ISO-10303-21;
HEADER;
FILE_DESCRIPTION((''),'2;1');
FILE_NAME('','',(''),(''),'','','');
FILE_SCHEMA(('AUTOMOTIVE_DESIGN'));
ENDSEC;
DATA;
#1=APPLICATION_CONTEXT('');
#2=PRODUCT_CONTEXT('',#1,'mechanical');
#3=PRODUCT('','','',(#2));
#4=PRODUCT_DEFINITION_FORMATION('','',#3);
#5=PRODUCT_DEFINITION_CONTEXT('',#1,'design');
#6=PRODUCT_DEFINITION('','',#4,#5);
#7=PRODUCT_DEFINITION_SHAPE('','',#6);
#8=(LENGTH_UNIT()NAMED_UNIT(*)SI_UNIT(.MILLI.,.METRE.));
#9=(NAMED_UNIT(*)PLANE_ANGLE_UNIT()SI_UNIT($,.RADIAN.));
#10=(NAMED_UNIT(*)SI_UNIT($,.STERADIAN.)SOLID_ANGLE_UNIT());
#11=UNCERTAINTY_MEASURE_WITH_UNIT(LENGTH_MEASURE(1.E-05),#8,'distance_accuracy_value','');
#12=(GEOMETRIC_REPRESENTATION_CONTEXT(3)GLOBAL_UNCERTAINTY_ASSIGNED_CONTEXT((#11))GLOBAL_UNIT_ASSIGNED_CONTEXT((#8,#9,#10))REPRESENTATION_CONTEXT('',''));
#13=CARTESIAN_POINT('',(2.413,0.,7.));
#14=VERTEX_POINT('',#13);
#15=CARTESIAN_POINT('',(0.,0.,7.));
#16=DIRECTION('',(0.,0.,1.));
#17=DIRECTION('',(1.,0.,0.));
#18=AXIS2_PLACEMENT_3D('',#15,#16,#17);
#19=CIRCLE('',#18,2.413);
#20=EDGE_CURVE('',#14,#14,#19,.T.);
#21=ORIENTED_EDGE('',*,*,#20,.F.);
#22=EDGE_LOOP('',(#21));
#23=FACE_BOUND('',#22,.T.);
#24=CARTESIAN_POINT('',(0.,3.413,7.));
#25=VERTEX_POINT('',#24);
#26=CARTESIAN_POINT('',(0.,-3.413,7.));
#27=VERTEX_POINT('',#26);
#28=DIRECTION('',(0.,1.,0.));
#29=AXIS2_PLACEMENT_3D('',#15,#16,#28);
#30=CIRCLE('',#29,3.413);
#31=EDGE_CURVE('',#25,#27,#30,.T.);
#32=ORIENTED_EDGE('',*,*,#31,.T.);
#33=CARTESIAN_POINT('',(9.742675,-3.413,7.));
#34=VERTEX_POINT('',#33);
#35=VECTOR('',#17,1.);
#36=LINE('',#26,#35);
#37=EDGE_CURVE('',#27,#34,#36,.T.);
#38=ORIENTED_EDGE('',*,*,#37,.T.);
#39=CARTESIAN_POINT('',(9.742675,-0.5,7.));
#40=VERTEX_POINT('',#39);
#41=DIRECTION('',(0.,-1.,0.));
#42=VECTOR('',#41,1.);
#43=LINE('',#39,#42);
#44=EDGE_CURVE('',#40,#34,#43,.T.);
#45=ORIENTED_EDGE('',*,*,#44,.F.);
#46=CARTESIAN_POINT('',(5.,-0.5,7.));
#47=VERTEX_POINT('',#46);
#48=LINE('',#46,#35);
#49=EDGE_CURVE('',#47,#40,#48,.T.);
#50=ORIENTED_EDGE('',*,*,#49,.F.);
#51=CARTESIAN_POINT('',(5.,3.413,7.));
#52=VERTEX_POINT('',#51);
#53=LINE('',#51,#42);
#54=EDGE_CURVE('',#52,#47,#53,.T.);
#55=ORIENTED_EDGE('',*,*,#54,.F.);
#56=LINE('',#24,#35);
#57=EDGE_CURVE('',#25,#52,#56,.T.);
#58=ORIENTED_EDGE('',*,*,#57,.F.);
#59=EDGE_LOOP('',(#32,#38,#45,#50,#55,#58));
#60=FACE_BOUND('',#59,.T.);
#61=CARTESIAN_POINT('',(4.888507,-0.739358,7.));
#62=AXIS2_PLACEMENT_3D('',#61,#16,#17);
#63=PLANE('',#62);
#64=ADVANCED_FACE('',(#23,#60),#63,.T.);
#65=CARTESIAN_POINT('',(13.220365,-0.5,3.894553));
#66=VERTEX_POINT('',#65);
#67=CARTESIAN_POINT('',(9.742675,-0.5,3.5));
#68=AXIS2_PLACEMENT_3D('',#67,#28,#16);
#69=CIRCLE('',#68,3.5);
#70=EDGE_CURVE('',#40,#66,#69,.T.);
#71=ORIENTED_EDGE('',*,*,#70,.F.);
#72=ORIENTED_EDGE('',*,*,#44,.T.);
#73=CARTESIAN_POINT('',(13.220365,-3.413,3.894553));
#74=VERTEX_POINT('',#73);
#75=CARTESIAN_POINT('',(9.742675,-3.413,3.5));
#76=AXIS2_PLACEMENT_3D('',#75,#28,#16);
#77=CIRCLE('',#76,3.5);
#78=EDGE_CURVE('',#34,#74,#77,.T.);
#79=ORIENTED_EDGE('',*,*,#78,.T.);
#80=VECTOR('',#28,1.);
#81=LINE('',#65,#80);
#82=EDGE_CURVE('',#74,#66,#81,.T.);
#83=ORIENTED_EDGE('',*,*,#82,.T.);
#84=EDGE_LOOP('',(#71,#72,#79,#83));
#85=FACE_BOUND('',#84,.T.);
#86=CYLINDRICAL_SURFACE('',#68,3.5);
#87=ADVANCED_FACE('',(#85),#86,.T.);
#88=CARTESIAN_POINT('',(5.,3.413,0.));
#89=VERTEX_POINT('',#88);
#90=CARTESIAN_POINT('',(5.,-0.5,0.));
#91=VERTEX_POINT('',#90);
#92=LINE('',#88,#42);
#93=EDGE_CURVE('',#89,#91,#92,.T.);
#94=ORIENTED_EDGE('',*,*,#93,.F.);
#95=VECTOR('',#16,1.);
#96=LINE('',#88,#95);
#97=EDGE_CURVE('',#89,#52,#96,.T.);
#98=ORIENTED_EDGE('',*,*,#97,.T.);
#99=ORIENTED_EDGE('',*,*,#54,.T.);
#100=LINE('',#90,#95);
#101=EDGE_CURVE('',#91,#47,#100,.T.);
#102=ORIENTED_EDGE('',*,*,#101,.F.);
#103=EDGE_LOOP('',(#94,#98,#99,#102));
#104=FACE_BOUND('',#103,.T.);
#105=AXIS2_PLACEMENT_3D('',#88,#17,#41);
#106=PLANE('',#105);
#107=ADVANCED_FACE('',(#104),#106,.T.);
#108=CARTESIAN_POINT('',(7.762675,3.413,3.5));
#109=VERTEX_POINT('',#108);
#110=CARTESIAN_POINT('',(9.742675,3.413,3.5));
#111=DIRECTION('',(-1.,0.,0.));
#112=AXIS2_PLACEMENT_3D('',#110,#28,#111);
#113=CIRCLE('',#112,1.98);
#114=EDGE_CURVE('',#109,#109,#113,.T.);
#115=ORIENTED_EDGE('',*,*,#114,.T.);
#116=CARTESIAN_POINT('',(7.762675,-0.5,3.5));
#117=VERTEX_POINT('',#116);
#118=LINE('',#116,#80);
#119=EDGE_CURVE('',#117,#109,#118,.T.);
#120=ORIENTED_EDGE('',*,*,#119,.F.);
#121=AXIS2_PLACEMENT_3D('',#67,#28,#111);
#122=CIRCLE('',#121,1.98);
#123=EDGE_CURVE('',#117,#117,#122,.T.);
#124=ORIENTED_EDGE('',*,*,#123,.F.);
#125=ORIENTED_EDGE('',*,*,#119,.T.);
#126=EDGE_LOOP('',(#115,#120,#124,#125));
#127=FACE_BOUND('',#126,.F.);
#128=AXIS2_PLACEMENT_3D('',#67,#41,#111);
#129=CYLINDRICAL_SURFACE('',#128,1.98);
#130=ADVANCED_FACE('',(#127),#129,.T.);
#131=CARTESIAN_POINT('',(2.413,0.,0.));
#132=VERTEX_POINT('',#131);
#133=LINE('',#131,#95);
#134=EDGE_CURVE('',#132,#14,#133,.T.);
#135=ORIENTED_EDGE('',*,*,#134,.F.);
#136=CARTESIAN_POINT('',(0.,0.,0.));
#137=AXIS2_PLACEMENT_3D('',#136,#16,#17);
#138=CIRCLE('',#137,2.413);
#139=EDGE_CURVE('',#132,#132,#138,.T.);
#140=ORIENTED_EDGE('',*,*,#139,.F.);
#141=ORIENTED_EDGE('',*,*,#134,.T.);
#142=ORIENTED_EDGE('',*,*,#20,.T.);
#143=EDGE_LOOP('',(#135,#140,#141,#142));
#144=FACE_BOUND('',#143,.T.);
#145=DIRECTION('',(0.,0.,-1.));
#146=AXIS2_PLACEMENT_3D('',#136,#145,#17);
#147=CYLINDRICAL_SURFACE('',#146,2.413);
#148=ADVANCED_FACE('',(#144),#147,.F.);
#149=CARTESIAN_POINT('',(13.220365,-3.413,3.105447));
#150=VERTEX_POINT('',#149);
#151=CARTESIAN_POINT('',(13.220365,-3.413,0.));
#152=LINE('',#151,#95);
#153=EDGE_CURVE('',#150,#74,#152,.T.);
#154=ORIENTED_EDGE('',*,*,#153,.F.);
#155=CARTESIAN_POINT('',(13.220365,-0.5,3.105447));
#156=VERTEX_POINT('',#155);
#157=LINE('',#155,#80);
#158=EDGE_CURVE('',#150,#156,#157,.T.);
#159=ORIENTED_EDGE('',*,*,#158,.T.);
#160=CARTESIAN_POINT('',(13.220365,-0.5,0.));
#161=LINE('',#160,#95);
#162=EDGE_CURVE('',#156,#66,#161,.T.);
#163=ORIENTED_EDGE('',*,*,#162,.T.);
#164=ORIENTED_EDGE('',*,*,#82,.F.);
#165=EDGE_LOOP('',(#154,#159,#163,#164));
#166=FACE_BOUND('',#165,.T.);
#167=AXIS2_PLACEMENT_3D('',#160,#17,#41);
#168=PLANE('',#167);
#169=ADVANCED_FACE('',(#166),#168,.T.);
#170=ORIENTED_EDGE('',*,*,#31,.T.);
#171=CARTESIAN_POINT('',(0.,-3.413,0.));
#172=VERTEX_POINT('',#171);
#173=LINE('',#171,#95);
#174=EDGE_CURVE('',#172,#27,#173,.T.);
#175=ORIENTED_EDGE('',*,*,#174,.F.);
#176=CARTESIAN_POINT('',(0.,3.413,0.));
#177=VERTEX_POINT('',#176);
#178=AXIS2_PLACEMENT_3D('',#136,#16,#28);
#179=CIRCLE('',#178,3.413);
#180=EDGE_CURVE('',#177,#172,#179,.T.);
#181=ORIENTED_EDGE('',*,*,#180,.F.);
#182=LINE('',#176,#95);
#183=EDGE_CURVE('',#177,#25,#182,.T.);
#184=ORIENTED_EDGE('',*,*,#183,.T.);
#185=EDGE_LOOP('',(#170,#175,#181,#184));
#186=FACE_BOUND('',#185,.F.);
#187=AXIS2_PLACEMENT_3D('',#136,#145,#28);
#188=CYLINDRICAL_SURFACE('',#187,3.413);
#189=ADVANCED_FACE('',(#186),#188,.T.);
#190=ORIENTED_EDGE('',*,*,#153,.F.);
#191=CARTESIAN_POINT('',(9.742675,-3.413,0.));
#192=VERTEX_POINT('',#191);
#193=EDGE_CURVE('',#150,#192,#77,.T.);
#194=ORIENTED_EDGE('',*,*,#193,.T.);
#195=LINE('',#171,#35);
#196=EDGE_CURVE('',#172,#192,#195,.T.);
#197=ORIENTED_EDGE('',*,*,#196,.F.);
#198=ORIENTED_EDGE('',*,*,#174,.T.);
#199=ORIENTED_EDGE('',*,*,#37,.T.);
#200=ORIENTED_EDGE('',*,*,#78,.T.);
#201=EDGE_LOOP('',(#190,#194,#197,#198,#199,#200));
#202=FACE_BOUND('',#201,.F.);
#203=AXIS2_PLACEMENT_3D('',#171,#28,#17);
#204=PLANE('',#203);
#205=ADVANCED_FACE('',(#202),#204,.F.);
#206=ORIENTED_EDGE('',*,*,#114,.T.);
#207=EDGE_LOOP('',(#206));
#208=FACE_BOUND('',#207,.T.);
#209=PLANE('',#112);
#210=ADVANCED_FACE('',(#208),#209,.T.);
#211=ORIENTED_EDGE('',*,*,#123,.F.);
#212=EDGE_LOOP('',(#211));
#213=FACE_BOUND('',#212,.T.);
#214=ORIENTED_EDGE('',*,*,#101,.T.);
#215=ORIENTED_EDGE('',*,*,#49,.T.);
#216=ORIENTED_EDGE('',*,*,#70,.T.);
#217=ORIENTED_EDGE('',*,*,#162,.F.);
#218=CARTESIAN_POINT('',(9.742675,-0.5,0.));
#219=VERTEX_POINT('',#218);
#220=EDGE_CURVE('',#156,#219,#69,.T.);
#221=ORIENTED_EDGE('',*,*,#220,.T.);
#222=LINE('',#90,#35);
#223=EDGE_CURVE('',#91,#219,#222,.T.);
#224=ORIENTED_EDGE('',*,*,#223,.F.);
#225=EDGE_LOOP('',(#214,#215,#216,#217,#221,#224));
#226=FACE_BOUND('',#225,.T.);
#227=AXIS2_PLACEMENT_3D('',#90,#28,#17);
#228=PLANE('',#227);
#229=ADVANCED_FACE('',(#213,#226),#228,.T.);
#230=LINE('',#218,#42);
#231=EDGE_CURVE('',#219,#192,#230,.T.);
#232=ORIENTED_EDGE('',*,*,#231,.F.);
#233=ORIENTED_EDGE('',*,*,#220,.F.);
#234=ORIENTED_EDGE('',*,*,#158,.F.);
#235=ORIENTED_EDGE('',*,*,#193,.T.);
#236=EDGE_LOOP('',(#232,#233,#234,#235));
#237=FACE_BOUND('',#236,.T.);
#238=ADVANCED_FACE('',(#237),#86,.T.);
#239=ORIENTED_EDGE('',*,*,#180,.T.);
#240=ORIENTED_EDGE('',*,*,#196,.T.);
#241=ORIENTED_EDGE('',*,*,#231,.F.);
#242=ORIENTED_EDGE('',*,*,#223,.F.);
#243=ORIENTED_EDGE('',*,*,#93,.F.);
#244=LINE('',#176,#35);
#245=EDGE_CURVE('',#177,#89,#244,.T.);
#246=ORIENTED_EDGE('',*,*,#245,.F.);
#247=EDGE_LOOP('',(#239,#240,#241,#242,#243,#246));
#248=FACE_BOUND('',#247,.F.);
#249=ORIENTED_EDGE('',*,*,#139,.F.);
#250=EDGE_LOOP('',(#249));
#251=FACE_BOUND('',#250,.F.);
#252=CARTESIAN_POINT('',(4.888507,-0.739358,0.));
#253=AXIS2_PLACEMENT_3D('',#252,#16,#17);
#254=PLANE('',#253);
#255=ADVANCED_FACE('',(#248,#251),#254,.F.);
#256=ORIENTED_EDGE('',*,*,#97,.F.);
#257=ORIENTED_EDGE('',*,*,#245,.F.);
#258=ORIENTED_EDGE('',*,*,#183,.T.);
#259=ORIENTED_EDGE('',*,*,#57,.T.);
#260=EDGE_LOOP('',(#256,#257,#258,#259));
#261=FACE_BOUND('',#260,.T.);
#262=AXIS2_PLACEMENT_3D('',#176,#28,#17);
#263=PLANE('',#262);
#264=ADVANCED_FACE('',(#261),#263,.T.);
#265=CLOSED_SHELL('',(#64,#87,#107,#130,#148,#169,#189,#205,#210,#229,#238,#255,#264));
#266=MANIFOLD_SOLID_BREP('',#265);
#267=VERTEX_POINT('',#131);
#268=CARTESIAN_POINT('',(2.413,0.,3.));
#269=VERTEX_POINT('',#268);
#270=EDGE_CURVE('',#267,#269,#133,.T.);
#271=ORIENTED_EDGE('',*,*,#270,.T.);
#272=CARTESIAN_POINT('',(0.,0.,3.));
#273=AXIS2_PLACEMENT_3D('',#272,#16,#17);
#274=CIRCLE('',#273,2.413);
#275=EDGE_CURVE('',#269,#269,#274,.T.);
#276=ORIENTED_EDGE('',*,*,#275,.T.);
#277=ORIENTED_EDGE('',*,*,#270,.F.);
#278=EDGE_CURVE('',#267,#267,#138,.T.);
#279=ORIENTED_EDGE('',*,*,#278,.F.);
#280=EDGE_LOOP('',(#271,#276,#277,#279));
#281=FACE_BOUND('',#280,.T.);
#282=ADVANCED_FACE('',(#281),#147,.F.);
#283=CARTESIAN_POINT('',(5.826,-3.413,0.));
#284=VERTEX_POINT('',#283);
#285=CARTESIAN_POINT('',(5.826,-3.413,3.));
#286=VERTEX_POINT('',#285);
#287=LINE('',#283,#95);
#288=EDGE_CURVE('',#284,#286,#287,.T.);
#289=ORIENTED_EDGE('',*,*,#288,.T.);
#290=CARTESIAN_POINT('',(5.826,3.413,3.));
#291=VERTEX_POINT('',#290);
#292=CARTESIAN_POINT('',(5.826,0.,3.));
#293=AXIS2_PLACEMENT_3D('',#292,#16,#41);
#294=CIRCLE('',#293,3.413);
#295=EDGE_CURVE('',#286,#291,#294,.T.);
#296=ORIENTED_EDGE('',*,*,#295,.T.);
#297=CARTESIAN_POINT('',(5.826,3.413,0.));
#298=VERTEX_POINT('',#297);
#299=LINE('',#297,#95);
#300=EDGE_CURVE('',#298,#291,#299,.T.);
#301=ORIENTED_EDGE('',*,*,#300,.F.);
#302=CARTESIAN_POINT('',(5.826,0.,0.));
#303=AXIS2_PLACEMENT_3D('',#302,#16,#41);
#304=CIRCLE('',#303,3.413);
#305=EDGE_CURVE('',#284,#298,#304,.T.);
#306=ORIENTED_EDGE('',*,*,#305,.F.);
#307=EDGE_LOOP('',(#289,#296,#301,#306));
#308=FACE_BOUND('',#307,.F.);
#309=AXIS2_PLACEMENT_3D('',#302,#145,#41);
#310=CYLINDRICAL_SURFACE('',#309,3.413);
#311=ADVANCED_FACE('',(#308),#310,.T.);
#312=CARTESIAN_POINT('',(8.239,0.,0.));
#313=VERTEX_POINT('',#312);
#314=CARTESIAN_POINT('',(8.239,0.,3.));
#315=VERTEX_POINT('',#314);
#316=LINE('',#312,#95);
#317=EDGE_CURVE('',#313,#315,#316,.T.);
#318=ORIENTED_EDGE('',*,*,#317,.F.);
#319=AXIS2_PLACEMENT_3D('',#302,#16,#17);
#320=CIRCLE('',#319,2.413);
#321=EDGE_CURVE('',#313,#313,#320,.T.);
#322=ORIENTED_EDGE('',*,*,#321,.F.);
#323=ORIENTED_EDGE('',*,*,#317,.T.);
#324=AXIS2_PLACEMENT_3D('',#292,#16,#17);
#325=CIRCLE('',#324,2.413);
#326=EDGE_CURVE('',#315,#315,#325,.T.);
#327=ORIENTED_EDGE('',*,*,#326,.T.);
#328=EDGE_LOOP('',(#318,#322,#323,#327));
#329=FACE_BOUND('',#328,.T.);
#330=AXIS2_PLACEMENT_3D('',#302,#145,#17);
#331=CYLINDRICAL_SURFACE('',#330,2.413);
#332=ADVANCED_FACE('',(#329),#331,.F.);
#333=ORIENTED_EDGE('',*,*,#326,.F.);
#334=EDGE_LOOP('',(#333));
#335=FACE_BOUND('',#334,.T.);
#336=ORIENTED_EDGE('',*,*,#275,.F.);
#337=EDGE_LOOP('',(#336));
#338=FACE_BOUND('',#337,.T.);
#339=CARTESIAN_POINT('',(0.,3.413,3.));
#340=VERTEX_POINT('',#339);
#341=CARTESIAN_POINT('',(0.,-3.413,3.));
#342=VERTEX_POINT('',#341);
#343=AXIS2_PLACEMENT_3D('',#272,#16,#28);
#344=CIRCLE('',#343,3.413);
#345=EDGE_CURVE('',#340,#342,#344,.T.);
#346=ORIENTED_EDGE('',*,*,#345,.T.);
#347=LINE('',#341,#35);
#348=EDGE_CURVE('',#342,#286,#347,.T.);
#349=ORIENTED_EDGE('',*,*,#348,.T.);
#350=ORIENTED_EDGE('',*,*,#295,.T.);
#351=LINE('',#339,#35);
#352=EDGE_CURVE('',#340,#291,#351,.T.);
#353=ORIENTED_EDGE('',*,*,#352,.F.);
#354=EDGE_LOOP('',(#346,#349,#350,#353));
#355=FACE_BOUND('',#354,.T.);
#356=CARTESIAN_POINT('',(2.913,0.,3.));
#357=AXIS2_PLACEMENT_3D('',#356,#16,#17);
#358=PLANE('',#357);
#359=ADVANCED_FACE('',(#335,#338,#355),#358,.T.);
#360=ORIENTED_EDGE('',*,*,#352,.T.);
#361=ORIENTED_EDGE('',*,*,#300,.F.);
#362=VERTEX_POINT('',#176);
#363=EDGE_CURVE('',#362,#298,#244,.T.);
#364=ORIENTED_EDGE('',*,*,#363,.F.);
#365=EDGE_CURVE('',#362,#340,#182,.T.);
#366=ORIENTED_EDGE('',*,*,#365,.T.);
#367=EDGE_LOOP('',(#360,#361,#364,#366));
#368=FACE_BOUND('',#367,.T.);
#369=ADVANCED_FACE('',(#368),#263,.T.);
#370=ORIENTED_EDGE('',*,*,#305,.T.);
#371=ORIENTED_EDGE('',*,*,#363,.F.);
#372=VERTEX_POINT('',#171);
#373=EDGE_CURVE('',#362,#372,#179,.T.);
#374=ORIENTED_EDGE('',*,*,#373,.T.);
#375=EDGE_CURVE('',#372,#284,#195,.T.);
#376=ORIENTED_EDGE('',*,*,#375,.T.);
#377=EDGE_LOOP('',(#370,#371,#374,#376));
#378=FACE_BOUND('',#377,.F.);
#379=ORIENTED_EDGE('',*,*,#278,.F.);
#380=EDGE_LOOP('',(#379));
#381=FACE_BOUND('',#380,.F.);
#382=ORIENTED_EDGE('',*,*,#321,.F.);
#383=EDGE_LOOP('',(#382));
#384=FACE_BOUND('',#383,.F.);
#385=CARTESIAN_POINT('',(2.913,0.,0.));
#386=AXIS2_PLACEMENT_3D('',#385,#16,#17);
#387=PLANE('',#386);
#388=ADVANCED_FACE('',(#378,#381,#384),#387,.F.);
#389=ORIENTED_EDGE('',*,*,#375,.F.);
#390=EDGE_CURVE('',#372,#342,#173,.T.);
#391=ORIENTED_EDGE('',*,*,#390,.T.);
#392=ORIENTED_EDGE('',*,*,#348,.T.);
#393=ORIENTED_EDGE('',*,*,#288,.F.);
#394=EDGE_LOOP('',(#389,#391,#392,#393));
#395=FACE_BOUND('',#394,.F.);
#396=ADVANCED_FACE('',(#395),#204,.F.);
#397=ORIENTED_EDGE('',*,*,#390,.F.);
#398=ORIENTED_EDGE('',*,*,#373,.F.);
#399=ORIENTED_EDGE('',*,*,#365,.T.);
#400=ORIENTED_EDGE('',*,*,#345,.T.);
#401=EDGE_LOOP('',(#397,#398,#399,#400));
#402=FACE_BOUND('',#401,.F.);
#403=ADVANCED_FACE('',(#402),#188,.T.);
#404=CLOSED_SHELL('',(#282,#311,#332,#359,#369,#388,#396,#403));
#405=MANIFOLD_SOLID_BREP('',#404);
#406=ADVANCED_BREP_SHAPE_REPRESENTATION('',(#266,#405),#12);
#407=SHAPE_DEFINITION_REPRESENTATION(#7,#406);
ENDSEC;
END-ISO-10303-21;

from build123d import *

# Parameters (mm, degrees)
SKETCH_R     = 2.413
PAD_DEPTH    = 3
SKETCH001_R  = 2.413
PAD001_DEPTH = 7
POCKET_DEPTH = 5
SKETCH003_R  = 1.98
PAD002_DEPTH = 3.913


with BuildPart() as old_bushing:
    # Sketch → Pad (new body)
    with BuildSketch(Plane.XY):
        with BuildLine():
            ThreePointArc((0, 3.413), (-3.413, 0), (0, -3.413))
            Line((0, -3.413), (5.826, -3.413))
            ThreePointArc((5.826, -3.413), (9.239, 0), (5.826, 3.413))
            Line((0, 3.413), (5.826, 3.413))
        make_face()
        Circle(SKETCH_R, mode=Mode.SUBTRACT)
        with Locations((5.826, 0)):
            Circle(SKETCH_R, mode=Mode.SUBTRACT)
    extrude(amount=PAD_DEPTH)


with BuildPart() as body001:
    # Sketch001 → Pad001 (new body)
    with BuildSketch(Plane.XY):
        with BuildLine():
            ThreePointArc((0, 3.413), (-3.413, 0), (0, -3.413))
            Line((0, -3.413), (13.220365, -3.413))
            Line((13.220365, -0.5), (13.220365, -3.413))
            Line((5, -0.5), (13.220365, -0.5))
            Line((5, 3.413), (5, -0.5))
            Line((0, 3.413), (5, 3.413))
        make_face()
        Circle(SKETCH001_R, mode=Mode.SUBTRACT)
    extrude(amount=PAD001_DEPTH)

    # Sketch002 (on Face5 of Pad001) → Pocket (cut)
    with BuildSketch(Plane(origin=(0, -0.5, 0), x_dir=(-1, 0, 0), z_dir=(0, 1, 0))):
        with BuildLine():
            ThreePointArc((-9.742675, 7), (-13.242675, 3.5), (-9.742675, 0))
            Line((-14.166568, 0), (-9.742675, 0))
            Line((-14.166568, 7), (-14.166568, 0))
            Line((-9.742675, 7), (-14.166568, 7))
        make_face()
    extrude(amount=-POCKET_DEPTH, mode=Mode.SUBTRACT)

    # Sketch003 (on Face5 of Pad001) → Pad002 (join)
    with BuildSketch(Plane(origin=(0, -0.5, 0), x_dir=(-1, 0, 0), z_dir=(0, 1, 0))):
        with Locations((-9.742675, 3.5)):
            Circle(SKETCH003_R)
    extrude(amount=PAD002_DEPTH)


solid = Compound([old_bushing.part, body001.part])
